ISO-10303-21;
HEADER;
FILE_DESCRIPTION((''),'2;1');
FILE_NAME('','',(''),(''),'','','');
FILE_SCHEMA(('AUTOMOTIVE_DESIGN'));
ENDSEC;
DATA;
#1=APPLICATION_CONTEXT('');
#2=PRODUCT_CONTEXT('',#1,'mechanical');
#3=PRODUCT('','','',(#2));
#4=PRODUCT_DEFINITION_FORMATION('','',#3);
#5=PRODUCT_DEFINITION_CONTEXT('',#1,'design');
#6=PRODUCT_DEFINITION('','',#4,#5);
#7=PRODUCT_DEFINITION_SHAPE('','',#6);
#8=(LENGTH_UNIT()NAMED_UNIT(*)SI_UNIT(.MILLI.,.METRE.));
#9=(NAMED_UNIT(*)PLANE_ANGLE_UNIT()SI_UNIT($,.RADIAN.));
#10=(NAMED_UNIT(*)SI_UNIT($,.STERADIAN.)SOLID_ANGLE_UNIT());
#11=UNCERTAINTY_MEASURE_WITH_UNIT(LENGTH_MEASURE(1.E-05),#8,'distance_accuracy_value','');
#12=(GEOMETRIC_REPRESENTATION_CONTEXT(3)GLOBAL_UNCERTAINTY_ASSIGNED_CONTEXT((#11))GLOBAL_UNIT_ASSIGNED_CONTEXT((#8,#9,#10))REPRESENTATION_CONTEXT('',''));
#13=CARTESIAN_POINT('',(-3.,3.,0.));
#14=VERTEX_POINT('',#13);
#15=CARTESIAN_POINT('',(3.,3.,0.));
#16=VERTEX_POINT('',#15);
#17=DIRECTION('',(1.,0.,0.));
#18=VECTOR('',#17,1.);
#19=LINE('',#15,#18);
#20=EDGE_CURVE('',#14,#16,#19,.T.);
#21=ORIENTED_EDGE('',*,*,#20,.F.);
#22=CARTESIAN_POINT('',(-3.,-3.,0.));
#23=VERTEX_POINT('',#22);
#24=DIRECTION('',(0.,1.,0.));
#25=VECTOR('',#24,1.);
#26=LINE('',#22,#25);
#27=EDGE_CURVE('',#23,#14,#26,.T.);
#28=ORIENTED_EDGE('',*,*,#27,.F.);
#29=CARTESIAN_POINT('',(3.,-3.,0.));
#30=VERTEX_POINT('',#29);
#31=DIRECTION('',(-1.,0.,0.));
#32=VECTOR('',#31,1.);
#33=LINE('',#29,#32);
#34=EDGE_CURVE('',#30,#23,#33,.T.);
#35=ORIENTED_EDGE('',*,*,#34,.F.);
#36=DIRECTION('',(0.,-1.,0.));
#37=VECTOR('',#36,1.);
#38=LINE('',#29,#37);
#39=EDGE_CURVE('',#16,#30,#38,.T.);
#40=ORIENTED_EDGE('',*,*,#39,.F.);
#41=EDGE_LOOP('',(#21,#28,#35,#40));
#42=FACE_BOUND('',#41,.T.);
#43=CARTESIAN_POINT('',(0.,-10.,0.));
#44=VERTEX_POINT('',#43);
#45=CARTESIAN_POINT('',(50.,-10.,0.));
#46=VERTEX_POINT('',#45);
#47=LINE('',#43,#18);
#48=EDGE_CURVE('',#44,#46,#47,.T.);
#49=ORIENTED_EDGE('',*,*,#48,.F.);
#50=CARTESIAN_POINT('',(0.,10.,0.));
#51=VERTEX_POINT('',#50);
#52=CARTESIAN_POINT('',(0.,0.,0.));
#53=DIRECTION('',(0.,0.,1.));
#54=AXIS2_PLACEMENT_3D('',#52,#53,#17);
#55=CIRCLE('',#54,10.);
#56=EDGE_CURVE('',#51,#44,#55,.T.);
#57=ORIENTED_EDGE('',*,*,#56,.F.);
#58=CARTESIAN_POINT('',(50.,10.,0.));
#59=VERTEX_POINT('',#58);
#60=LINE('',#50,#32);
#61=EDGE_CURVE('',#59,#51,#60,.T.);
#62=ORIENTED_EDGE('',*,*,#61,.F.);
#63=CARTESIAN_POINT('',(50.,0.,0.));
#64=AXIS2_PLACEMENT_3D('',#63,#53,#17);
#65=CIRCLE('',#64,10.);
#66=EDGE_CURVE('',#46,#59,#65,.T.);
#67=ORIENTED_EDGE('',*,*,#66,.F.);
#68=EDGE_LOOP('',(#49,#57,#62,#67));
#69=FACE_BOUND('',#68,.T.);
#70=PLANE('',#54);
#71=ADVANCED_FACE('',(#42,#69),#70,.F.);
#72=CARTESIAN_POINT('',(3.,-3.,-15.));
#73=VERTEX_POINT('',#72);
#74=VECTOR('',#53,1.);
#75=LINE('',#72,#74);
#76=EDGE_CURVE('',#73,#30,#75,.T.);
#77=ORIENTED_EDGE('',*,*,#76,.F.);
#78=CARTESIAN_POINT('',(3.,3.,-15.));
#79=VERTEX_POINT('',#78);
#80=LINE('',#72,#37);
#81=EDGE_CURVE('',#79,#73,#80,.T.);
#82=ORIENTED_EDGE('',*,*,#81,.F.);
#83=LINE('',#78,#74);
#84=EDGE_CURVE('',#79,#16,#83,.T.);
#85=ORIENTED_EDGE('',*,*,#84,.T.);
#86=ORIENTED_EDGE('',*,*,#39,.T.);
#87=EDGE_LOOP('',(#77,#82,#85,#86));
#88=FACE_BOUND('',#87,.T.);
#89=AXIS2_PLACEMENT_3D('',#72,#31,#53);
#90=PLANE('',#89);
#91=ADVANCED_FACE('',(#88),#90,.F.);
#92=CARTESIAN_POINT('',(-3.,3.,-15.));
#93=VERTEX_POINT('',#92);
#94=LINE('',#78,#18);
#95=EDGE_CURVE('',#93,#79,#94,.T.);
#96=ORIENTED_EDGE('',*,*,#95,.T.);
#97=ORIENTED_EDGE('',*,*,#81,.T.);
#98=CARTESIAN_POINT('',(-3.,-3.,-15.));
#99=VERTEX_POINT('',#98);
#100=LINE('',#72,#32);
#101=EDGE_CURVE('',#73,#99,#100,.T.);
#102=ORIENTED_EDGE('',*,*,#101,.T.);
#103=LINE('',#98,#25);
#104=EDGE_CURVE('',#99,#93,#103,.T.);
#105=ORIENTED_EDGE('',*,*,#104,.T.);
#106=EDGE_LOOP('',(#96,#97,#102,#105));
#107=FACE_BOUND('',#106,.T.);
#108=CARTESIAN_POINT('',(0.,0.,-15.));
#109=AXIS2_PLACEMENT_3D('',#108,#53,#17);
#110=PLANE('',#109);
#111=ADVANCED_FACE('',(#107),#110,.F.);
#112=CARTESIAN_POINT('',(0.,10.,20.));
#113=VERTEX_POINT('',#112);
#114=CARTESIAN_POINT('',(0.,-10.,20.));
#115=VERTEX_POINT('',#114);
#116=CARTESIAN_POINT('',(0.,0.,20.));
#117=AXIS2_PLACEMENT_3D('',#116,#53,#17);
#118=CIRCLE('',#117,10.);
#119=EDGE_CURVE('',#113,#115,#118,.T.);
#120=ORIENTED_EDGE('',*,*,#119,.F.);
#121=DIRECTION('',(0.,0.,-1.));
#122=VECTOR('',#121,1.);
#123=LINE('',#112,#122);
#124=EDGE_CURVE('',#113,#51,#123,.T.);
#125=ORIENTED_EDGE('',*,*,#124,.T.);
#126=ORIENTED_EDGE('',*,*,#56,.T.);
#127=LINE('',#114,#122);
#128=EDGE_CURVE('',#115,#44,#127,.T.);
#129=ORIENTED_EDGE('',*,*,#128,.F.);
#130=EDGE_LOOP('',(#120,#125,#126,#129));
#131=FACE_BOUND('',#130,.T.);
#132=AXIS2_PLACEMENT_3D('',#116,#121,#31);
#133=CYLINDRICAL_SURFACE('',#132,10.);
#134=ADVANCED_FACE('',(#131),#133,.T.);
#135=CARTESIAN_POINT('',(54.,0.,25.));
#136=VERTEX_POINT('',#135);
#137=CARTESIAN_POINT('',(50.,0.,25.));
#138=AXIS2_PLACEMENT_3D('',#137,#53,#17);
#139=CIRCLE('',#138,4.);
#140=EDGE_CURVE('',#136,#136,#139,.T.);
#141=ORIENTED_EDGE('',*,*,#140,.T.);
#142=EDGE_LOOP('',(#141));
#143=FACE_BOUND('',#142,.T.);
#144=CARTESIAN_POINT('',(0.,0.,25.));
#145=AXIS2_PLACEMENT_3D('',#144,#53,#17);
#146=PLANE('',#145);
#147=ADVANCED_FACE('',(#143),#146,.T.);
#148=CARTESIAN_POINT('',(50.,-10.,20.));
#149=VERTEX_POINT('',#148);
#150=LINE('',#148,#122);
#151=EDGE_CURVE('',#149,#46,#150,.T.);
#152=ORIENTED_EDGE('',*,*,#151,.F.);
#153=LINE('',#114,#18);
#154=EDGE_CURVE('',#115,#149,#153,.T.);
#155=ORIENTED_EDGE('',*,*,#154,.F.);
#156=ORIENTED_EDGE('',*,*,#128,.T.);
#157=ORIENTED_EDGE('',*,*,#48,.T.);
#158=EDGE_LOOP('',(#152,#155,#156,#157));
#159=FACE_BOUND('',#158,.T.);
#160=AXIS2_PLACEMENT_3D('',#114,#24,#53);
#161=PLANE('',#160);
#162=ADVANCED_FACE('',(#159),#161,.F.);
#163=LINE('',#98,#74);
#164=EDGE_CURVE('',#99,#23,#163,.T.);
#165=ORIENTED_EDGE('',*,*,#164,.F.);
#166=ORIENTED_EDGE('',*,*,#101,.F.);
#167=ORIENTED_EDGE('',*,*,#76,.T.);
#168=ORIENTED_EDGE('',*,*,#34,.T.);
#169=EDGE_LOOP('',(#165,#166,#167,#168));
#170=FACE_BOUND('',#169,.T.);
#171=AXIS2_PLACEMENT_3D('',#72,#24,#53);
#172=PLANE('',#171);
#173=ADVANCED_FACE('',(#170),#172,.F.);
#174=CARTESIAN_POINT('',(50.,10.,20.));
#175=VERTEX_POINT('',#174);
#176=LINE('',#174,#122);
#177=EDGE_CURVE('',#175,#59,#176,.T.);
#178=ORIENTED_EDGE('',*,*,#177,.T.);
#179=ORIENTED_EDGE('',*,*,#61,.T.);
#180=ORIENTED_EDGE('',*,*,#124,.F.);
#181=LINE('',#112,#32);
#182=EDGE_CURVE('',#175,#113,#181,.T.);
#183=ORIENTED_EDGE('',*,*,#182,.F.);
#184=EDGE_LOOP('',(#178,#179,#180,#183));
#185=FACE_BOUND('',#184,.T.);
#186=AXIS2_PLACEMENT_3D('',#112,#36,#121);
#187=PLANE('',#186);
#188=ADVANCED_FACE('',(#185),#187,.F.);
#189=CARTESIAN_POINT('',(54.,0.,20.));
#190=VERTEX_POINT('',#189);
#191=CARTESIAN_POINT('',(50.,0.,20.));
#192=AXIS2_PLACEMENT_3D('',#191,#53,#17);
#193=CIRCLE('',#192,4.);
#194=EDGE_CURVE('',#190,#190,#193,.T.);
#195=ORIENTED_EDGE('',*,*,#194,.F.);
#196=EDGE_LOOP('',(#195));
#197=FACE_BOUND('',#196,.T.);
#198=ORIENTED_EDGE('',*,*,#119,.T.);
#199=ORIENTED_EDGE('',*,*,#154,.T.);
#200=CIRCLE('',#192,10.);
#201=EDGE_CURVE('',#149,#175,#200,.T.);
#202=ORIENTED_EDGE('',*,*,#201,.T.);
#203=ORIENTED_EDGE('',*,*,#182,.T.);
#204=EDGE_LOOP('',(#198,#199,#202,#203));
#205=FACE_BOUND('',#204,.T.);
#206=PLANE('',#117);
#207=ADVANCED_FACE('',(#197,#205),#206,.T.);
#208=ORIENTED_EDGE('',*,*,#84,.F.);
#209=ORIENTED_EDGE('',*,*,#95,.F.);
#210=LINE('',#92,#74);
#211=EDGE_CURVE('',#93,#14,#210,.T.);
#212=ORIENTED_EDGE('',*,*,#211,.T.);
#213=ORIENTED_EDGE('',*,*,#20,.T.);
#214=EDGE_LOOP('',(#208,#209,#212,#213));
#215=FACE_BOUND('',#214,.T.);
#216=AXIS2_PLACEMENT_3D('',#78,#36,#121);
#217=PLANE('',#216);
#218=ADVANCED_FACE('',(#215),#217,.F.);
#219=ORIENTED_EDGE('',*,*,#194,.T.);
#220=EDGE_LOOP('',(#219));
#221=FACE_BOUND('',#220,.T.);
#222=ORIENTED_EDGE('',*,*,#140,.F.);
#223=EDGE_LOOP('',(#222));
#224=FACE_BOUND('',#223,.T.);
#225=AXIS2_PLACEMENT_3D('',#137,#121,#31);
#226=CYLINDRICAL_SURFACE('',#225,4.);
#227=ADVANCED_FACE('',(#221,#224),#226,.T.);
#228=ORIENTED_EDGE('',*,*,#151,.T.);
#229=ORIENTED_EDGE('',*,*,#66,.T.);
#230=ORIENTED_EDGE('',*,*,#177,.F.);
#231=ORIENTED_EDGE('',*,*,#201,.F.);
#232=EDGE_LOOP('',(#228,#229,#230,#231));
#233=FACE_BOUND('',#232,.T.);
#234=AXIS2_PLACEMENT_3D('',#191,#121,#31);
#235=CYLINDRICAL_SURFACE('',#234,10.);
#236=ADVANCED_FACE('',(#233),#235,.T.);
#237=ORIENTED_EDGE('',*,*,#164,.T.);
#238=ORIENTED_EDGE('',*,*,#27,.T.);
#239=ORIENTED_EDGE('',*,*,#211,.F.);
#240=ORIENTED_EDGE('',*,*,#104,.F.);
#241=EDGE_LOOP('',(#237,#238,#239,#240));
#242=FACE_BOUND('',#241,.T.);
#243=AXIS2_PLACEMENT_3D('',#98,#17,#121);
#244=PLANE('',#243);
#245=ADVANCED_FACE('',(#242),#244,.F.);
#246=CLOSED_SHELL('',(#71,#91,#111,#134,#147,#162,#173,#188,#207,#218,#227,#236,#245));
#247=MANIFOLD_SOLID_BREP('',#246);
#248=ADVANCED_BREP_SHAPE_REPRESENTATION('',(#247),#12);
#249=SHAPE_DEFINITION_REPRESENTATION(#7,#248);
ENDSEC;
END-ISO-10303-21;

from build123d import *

# Parameters (mm, degrees)
EXTRUDE_1_DEPTH = 20
SKETCH_2_R      = 4
EXTRUDE_2_DEPTH = 5
SKETCH_3_W      = 6
SKETCH_3_H      = 6
EXTRUDE_3_DEPTH = 15


with BuildPart() as part:
    # 草图1 → 凸台-拉伸1 (new body)
    with BuildSketch(Plane.XY):
        with BuildLine():
            Line((0, 10), (50, 10))
            ThreePointArc((50, 10), (60, 0), (50, -10))
            Line((50, -10), (0, -10))
            ThreePointArc((0, -10), (-10, 0), (0, 10))
        make_face()
    extrude(amount=EXTRUDE_1_DEPTH)

    # 草图2 → 凸台-拉伸2 (add)
    with BuildSketch(Plane.XY.offset(20)):
        with Locations((50, 0)):
            Circle(SKETCH_2_R)
    extrude(amount=EXTRUDE_2_DEPTH)

    # 草图3 → 凸台-拉伸3 (add)
    with BuildSketch(Plane(origin=(0, 0, 0), x_dir=(-1, 0, 0), z_dir=(0, 0, -1))):
        Rectangle(SKETCH_3_W, SKETCH_3_H)
    extrude(amount=EXTRUDE_3_DEPTH)


solid = part.part
